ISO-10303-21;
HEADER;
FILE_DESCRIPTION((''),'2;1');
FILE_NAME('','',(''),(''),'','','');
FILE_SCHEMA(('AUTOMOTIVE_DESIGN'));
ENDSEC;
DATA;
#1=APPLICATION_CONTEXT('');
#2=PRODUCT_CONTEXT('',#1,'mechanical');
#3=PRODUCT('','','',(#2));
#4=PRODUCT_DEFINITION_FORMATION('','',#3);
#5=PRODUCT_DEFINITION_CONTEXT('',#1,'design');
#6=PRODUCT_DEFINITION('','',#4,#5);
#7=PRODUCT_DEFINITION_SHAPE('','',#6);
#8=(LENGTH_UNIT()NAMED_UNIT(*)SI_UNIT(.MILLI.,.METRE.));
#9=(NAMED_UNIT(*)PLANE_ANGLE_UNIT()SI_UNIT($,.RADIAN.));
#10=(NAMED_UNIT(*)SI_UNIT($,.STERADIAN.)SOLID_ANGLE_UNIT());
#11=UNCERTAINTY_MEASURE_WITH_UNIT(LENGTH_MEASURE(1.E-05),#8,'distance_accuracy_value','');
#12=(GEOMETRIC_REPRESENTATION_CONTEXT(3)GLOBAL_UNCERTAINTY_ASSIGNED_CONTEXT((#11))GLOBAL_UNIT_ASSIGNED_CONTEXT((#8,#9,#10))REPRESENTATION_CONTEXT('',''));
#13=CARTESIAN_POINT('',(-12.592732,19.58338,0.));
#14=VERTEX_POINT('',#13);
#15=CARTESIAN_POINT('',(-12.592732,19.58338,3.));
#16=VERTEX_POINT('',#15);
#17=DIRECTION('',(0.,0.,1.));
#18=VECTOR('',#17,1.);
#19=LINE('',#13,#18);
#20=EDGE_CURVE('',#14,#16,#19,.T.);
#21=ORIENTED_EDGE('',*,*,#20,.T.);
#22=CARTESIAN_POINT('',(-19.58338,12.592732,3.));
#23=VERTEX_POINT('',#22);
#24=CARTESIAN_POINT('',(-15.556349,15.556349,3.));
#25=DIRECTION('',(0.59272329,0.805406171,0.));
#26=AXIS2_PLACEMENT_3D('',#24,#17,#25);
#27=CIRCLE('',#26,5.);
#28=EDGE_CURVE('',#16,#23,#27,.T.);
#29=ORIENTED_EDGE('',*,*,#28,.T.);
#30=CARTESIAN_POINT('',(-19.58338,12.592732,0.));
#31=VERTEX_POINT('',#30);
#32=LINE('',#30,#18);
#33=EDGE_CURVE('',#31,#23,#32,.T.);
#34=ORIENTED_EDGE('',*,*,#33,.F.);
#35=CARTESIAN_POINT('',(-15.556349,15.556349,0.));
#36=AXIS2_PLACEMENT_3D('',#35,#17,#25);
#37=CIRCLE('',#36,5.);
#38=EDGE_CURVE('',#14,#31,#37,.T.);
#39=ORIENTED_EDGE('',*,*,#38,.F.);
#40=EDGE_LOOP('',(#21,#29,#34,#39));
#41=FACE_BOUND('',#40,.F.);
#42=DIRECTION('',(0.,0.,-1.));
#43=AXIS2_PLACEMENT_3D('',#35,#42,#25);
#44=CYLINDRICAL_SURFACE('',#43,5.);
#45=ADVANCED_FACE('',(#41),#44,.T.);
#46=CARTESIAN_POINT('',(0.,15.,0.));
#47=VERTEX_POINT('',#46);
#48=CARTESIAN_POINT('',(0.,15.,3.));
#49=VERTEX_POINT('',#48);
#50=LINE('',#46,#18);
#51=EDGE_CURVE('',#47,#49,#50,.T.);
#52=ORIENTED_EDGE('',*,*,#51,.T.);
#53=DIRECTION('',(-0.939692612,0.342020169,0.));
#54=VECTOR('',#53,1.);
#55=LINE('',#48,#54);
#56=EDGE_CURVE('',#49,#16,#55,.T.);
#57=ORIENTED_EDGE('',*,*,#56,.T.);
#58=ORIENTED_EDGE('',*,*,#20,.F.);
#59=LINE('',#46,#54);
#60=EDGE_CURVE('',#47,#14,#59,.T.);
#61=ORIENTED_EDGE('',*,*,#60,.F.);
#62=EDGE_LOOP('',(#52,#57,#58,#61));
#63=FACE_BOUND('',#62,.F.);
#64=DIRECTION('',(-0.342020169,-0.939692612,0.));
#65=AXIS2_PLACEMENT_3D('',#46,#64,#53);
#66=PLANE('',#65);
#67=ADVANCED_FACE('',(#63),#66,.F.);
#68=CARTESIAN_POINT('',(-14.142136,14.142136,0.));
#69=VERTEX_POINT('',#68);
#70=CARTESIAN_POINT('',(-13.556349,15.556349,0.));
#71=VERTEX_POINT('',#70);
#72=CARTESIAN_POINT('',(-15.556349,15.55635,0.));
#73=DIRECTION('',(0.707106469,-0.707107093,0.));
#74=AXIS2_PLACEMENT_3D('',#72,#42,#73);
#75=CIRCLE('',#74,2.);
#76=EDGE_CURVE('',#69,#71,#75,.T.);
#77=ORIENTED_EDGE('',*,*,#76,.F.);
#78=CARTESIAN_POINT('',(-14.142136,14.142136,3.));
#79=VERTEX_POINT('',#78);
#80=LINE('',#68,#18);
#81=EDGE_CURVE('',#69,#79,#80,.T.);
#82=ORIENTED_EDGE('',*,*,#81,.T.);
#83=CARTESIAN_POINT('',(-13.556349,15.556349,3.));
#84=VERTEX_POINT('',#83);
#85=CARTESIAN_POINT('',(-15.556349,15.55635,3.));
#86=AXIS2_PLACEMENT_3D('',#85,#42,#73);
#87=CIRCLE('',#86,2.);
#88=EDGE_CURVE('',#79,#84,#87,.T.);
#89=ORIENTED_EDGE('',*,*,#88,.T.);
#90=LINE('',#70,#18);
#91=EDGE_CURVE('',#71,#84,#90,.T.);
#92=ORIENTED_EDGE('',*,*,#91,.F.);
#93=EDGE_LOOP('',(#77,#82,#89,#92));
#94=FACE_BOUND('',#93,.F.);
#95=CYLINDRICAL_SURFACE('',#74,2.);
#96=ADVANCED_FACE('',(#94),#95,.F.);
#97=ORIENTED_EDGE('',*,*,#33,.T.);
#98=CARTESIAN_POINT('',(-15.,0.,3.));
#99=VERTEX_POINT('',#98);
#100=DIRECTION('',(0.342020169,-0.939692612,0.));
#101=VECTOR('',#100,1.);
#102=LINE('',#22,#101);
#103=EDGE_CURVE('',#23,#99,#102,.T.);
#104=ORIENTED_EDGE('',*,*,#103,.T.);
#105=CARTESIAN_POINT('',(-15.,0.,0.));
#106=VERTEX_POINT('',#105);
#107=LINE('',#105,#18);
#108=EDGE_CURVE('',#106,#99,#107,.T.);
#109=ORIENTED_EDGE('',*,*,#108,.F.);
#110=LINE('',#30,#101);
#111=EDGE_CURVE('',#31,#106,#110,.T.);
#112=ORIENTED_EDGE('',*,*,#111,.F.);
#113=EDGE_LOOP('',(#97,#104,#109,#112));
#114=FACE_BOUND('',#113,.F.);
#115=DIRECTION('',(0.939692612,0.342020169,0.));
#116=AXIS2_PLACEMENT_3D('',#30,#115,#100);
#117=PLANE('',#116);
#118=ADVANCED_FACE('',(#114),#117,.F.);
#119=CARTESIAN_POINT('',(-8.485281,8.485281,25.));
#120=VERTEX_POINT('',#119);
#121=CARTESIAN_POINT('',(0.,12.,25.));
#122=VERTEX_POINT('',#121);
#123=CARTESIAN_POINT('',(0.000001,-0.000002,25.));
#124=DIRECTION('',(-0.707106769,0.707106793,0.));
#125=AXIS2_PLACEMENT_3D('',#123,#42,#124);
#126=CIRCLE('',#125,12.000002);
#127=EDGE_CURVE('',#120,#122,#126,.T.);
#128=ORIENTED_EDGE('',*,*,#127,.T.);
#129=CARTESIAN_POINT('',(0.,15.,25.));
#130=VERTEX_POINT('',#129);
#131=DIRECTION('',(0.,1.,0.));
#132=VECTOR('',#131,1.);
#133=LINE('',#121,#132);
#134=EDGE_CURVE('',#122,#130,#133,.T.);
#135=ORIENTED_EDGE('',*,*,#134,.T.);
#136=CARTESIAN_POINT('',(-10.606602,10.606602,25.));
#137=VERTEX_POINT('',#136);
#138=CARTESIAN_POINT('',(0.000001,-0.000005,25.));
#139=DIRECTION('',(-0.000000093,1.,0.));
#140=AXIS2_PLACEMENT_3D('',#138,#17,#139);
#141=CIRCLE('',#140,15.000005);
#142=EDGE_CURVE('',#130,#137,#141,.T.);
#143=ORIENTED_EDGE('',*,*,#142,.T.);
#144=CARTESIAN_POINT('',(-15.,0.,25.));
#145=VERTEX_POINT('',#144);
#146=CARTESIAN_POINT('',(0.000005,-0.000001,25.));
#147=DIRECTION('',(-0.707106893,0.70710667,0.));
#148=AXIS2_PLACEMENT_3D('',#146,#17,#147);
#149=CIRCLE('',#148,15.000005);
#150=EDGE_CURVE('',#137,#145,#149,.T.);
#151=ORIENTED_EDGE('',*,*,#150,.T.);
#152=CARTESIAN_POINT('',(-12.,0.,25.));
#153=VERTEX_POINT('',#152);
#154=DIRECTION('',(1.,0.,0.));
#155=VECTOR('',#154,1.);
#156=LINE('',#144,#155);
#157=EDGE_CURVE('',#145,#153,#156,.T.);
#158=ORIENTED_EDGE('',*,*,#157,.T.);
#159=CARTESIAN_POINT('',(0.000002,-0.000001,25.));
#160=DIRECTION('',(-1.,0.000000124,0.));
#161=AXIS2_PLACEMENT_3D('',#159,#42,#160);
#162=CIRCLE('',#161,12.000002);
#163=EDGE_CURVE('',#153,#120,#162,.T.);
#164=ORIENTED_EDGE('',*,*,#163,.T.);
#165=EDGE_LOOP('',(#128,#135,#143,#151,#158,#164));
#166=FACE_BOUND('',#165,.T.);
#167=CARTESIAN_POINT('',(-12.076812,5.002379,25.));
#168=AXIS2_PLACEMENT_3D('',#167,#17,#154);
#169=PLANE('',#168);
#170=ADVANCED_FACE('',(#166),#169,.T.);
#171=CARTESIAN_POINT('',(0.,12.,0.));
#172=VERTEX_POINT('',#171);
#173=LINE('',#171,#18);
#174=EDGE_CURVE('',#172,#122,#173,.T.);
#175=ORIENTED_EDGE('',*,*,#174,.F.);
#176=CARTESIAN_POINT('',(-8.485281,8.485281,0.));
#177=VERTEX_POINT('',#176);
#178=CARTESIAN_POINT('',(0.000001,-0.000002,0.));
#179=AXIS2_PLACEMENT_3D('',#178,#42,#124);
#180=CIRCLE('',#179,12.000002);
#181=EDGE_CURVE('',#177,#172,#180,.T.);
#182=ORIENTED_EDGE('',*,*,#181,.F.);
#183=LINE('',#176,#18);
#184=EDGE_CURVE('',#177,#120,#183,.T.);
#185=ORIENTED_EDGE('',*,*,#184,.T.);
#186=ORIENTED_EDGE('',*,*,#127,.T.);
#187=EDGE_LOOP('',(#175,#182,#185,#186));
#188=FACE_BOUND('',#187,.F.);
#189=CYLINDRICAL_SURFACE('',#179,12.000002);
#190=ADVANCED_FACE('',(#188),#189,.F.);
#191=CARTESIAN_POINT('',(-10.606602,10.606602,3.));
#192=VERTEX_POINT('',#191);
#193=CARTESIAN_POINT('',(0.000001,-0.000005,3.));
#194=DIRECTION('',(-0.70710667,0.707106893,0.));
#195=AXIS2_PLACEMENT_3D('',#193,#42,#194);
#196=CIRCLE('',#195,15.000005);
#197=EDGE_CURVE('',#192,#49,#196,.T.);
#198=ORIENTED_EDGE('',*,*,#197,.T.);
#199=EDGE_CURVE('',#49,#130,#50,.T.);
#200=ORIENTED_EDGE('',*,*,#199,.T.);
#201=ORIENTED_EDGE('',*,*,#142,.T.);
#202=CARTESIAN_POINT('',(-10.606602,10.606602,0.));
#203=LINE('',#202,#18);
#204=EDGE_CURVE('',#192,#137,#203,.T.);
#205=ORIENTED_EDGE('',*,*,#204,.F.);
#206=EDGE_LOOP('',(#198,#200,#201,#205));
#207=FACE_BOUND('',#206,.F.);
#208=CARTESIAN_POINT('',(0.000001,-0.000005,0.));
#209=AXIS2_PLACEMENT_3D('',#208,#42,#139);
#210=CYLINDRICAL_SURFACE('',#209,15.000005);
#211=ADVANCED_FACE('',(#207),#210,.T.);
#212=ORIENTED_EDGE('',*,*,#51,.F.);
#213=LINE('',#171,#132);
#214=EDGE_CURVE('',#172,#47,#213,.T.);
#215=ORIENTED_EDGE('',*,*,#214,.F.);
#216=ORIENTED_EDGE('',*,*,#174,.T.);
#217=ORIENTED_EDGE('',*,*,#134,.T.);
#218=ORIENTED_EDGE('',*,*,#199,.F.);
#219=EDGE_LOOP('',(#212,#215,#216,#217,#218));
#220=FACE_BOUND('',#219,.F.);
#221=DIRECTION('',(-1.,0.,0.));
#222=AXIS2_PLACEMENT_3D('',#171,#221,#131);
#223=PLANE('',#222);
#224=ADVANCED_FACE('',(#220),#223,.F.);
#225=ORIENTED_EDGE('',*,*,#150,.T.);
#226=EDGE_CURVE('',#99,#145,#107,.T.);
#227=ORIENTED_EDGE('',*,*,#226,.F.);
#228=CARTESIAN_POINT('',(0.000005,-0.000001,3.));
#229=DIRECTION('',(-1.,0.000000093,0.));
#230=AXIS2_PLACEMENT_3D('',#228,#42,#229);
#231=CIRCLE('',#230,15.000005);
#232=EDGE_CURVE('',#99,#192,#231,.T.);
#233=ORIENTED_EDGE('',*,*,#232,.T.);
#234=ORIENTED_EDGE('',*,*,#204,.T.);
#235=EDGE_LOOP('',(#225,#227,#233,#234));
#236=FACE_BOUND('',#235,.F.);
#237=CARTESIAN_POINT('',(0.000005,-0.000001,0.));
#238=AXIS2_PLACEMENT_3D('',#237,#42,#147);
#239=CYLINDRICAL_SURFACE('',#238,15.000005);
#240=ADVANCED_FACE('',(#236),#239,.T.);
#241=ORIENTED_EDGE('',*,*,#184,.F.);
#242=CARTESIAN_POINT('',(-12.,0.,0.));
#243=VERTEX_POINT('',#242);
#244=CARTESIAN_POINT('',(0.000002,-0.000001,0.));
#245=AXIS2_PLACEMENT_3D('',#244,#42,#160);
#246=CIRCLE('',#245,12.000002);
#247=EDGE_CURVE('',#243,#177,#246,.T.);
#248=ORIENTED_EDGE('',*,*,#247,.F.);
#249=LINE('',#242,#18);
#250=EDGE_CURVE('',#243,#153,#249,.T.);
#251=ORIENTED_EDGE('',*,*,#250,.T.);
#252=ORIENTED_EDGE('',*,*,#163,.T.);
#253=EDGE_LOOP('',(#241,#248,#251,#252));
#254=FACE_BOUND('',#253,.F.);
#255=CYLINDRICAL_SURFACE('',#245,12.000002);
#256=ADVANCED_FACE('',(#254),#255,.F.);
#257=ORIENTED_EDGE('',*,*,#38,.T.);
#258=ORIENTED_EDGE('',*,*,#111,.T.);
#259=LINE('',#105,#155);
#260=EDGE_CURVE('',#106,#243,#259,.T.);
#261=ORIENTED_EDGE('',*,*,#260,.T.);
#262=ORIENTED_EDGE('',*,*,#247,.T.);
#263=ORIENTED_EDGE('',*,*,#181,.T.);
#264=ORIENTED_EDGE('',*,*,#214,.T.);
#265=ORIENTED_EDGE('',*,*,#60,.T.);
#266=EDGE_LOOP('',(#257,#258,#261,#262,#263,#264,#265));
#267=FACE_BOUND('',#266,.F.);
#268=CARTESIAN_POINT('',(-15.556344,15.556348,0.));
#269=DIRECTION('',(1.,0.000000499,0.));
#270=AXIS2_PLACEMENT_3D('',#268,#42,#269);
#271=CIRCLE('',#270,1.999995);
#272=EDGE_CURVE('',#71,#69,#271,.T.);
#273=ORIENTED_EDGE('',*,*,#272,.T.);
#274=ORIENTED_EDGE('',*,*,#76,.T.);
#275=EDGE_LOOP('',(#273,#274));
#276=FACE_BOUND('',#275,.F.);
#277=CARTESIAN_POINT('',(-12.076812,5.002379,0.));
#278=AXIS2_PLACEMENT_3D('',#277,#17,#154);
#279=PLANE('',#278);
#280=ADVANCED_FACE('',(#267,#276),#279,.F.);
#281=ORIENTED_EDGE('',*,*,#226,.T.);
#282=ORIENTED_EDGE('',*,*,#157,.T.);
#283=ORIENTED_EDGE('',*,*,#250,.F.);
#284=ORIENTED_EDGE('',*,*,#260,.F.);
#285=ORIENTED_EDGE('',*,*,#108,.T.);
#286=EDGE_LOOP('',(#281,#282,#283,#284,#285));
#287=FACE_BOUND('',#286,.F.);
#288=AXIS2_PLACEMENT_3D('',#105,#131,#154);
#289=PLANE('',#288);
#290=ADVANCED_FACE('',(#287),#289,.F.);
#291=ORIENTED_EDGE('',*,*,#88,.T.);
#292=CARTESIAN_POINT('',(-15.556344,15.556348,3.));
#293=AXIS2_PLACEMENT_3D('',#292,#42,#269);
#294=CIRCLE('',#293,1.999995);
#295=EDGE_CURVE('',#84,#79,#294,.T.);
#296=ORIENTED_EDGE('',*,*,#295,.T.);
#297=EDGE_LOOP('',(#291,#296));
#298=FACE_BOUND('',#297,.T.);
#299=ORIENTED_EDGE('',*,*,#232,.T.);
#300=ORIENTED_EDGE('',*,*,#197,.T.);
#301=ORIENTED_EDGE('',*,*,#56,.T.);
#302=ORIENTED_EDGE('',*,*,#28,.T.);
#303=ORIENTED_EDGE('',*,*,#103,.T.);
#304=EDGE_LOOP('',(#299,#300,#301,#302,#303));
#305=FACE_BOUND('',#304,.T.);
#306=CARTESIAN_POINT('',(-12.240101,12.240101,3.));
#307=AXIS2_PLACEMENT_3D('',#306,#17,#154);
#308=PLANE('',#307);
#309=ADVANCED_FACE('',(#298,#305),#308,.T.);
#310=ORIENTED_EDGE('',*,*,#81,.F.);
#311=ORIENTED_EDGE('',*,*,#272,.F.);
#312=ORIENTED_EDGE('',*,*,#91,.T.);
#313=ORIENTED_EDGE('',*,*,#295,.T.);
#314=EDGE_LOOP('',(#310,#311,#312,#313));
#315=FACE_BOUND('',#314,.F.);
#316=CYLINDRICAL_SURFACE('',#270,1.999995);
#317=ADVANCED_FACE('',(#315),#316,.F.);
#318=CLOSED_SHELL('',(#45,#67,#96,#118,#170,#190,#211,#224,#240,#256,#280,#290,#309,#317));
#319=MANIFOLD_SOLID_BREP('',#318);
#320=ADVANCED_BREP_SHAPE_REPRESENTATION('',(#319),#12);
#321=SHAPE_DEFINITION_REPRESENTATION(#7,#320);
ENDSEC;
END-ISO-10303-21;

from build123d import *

# Parameters (mm, degrees)
F1_DEPTH = 3
F2_DEPTH = 25


with BuildPart() as f1:
    # F0 (on Top) → F1 (new body)
    with BuildSketch(Plane.XY):
        with BuildLine():
            ThreePointArc((-15, 0), (-13.858193, 5.740251), (-10.606602, 10.606602))
            ThreePointArc((-10.606602, 10.606602), (-5.740251, 13.858193), (0, 15))
            Line((0, 15), (-12.592732, 19.58338))
            ThreePointArc((-12.592732, 19.58338), (-19.091883, 19.091883), (-19.58338, 12.592732))
            Line((-19.58338, 12.592732), (-15, 0))
        make_face()
        with BuildLine():
            ThreePointArc((-14.142136, 14.142136), (-17.404108, 16.321716), (-13.556349, 15.556349))
            ThreePointArc((-13.556349, 15.556349), (-13.70859, 14.790982), (-14.142136, 14.142136))
        make_face(mode=Mode.SUBTRACT)
    extrude(amount=F1_DEPTH)

    # F0 (on Top) → F2 (join)
    with BuildSketch(Plane.XY):
        with BuildLine():
            Line((-8.485281, 8.485281), (-10.606602, 10.606602))
            ThreePointArc((-10.606602, 10.606602), (-13.858193, 5.740251), (-15, 0))
            Line((-15, 0), (-12, 0))
            ThreePointArc((-12, 0), (-11.086554, 4.592201), (-8.485281, 8.485281))
        make_face()
        with BuildLine():
            ThreePointArc((0, 15), (-5.740251, 13.858193), (-10.606602, 10.606602))
            Line((-10.606602, 10.606602), (-8.485281, 8.485281))
            ThreePointArc((-8.485281, 8.485281), (-4.592201, 11.086554), (0, 12))
            Line((0, 12), (0, 15))
        make_face()
    extrude(amount=F2_DEPTH)


solid = f1.part
